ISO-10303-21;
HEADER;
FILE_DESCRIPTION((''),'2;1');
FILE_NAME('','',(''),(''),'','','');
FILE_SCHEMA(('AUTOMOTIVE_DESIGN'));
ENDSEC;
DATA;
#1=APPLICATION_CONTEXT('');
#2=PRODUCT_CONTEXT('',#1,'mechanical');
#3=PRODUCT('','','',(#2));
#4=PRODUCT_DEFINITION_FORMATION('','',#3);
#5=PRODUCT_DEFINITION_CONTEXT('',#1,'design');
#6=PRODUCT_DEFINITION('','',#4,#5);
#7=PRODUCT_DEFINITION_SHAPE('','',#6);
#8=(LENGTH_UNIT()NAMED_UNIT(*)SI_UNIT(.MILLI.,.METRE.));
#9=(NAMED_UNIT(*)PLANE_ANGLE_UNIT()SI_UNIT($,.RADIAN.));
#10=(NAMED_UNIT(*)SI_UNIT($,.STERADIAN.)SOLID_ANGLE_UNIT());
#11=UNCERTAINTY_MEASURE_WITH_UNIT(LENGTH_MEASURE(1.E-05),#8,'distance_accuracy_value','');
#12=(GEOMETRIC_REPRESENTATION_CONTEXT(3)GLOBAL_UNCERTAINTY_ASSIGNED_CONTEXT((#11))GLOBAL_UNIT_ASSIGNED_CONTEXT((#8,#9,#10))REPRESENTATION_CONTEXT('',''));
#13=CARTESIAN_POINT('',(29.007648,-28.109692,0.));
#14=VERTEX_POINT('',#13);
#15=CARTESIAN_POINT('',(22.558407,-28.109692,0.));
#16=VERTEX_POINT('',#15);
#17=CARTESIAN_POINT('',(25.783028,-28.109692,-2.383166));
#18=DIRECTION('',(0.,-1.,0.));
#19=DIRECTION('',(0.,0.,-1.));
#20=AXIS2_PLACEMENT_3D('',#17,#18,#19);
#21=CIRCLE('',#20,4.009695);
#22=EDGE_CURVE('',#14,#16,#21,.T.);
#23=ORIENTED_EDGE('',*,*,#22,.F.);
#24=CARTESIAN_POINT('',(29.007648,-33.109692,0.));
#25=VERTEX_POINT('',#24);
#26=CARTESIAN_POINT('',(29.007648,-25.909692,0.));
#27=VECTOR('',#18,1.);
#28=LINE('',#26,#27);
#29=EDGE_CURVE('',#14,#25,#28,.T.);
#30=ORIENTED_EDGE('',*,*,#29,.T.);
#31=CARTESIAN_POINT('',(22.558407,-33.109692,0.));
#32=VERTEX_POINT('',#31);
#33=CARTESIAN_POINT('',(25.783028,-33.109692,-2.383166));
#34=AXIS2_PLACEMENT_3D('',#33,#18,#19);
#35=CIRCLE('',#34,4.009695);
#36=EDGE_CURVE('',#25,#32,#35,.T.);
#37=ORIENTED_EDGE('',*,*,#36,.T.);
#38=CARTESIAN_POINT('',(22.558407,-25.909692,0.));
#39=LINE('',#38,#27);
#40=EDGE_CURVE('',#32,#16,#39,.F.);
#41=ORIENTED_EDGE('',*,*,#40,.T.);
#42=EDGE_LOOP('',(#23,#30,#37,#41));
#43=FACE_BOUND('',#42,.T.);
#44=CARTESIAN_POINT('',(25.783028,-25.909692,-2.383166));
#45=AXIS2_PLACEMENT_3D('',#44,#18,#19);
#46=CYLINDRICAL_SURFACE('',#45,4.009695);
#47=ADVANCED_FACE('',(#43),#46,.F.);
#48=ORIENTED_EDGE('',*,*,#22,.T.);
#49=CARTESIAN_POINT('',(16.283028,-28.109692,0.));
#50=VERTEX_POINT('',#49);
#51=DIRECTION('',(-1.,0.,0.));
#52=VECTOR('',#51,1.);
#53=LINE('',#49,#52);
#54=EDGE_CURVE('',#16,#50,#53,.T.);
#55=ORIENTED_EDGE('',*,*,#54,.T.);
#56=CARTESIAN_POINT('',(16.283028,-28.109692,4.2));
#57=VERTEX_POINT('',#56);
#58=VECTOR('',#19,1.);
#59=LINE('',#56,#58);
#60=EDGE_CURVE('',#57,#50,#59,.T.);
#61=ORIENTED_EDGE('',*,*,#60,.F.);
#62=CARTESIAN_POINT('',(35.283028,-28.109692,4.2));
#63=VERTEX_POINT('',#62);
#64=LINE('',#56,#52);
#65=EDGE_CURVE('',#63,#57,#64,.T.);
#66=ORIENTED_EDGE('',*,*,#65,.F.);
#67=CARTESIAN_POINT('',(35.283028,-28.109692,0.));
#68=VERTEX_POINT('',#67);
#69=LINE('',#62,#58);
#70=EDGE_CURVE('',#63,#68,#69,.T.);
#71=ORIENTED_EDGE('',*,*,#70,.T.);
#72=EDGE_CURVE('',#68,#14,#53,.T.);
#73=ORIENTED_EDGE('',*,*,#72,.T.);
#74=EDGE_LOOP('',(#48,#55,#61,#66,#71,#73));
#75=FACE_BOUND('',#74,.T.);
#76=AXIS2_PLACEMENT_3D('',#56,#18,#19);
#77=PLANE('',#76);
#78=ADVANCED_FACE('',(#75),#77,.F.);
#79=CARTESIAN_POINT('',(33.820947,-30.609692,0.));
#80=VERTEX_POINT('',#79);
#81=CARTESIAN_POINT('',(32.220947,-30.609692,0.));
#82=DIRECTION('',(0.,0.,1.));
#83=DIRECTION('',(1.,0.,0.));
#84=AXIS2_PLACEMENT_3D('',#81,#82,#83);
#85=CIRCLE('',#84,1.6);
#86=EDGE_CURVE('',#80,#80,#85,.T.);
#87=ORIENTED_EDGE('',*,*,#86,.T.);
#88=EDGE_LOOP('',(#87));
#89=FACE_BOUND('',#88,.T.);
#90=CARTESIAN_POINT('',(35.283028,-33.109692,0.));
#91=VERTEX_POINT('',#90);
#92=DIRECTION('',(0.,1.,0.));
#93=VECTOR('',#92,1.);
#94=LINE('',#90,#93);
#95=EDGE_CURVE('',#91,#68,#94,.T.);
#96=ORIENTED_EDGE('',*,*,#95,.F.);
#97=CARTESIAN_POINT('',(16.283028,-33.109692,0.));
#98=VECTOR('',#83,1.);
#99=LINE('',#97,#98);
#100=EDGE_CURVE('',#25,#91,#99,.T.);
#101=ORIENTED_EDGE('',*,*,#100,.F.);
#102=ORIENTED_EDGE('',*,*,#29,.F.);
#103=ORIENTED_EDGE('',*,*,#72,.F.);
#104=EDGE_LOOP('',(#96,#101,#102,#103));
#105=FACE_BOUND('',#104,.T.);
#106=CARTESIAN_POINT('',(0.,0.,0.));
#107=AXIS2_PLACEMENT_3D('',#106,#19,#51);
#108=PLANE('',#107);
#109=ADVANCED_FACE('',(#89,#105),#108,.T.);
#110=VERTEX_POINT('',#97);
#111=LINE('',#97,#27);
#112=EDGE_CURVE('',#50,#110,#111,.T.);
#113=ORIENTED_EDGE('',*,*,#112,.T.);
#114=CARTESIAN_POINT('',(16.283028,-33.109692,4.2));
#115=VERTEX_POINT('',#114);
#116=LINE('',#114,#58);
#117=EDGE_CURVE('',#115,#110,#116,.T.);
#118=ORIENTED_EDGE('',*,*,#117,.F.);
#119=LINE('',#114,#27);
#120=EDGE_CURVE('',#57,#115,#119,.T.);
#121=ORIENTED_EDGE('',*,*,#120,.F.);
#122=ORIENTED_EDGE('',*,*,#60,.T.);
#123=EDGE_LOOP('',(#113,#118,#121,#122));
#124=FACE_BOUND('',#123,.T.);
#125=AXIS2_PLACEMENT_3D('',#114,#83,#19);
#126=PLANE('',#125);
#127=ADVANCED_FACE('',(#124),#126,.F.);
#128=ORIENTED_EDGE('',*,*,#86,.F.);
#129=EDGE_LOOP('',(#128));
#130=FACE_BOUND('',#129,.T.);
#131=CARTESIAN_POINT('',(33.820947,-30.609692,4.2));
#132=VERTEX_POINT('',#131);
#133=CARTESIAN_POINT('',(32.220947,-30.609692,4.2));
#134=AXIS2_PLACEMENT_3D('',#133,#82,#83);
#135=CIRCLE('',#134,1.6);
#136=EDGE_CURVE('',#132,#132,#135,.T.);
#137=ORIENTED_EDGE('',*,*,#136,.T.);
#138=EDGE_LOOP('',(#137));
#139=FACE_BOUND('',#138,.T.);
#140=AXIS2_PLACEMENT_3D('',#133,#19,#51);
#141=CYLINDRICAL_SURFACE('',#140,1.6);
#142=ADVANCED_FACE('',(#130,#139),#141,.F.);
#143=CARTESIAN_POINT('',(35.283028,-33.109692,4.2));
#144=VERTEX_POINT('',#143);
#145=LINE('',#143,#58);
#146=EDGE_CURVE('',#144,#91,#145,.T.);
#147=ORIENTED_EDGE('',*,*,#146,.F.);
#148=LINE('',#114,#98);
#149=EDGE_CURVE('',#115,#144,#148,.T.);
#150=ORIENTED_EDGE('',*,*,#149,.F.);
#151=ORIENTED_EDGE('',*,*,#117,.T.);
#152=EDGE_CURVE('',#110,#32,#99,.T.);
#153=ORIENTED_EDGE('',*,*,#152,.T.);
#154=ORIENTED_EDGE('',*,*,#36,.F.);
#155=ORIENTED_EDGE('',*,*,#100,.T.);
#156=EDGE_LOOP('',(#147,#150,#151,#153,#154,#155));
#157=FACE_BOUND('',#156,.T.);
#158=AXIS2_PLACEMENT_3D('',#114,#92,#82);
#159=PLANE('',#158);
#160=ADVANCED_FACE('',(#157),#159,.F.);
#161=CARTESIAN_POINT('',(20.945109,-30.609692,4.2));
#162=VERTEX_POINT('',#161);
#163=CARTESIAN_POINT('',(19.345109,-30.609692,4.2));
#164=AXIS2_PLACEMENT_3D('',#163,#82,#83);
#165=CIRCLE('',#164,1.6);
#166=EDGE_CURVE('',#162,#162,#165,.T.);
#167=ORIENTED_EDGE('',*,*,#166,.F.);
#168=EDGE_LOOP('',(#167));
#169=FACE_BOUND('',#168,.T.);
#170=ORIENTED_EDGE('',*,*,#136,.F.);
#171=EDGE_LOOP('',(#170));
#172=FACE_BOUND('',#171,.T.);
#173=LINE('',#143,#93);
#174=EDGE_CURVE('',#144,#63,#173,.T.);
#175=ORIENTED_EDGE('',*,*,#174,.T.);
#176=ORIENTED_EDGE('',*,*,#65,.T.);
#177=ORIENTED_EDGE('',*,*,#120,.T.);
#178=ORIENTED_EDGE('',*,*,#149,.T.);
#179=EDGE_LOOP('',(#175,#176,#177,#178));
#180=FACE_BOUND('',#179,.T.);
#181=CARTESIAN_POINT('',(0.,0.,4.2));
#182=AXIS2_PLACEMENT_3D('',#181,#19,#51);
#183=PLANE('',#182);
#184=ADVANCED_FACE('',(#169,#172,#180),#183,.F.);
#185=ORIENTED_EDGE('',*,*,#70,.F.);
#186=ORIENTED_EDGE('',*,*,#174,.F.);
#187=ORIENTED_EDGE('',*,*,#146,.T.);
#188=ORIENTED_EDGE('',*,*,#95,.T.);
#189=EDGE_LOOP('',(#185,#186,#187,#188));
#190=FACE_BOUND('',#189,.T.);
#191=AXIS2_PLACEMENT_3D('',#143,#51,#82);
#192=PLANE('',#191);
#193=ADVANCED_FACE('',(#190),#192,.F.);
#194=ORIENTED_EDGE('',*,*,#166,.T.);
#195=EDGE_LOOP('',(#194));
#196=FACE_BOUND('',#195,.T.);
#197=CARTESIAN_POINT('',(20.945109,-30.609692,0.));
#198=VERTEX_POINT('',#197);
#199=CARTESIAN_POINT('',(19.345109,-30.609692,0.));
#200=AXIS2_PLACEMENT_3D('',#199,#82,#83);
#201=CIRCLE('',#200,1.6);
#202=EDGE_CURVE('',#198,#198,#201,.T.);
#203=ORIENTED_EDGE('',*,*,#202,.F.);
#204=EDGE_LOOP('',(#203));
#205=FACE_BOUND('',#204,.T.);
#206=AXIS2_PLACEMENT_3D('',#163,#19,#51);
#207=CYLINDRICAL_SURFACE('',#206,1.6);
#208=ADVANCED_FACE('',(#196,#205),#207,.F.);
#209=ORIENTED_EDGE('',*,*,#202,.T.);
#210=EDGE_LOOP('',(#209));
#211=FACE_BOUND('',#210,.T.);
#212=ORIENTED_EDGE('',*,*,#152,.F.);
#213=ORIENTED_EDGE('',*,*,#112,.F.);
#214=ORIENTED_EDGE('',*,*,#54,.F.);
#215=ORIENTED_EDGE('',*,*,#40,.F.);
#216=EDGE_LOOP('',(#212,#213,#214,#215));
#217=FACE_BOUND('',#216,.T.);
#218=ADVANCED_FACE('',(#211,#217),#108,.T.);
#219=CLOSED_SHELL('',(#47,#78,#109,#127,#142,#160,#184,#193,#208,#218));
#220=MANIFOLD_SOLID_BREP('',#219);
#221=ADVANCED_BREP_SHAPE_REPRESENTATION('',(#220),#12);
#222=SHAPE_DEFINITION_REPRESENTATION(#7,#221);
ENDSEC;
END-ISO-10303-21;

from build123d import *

# Parameters (mm, degrees)
CROQUIS1_W              = 19
CROQUIS1_H              = 5
CROQUIS1_R              = 1.6
SALIENTE_EXTRUIR1_DEPTH = 4.2
CROQUIS2_R              = 4.009695102
CORTAR_EXTRUIR1_DEPTH   = 7.2


with BuildPart() as part:
    # Croquis1 → Saliente-Extruir1 (new body)
    with BuildSketch(Plane.XY):
        with Locations((25.783027827, -30.609692022)):
            Rectangle(CROQUIS1_W, CROQUIS1_H)
        with Locations((19.34510909, -30.609692022)):
            Circle(CROQUIS1_R, mode=Mode.SUBTRACT)
        with Locations((32.220946564, -30.609692022)):
            Circle(CROQUIS1_R, mode=Mode.SUBTRACT)
    extrude(amount=SALIENTE_EXTRUIR1_DEPTH)

    # Croquis2 → Cortar-Extruir1 (cut)
    with BuildSketch(Plane.XZ.offset(33.109692022)):
        with Locations((25.783027827, -2.383165564)):
            Circle(CROQUIS2_R)
    extrude(amount=-CORTAR_EXTRUIR1_DEPTH, mode=Mode.SUBTRACT)


solid = part.part
